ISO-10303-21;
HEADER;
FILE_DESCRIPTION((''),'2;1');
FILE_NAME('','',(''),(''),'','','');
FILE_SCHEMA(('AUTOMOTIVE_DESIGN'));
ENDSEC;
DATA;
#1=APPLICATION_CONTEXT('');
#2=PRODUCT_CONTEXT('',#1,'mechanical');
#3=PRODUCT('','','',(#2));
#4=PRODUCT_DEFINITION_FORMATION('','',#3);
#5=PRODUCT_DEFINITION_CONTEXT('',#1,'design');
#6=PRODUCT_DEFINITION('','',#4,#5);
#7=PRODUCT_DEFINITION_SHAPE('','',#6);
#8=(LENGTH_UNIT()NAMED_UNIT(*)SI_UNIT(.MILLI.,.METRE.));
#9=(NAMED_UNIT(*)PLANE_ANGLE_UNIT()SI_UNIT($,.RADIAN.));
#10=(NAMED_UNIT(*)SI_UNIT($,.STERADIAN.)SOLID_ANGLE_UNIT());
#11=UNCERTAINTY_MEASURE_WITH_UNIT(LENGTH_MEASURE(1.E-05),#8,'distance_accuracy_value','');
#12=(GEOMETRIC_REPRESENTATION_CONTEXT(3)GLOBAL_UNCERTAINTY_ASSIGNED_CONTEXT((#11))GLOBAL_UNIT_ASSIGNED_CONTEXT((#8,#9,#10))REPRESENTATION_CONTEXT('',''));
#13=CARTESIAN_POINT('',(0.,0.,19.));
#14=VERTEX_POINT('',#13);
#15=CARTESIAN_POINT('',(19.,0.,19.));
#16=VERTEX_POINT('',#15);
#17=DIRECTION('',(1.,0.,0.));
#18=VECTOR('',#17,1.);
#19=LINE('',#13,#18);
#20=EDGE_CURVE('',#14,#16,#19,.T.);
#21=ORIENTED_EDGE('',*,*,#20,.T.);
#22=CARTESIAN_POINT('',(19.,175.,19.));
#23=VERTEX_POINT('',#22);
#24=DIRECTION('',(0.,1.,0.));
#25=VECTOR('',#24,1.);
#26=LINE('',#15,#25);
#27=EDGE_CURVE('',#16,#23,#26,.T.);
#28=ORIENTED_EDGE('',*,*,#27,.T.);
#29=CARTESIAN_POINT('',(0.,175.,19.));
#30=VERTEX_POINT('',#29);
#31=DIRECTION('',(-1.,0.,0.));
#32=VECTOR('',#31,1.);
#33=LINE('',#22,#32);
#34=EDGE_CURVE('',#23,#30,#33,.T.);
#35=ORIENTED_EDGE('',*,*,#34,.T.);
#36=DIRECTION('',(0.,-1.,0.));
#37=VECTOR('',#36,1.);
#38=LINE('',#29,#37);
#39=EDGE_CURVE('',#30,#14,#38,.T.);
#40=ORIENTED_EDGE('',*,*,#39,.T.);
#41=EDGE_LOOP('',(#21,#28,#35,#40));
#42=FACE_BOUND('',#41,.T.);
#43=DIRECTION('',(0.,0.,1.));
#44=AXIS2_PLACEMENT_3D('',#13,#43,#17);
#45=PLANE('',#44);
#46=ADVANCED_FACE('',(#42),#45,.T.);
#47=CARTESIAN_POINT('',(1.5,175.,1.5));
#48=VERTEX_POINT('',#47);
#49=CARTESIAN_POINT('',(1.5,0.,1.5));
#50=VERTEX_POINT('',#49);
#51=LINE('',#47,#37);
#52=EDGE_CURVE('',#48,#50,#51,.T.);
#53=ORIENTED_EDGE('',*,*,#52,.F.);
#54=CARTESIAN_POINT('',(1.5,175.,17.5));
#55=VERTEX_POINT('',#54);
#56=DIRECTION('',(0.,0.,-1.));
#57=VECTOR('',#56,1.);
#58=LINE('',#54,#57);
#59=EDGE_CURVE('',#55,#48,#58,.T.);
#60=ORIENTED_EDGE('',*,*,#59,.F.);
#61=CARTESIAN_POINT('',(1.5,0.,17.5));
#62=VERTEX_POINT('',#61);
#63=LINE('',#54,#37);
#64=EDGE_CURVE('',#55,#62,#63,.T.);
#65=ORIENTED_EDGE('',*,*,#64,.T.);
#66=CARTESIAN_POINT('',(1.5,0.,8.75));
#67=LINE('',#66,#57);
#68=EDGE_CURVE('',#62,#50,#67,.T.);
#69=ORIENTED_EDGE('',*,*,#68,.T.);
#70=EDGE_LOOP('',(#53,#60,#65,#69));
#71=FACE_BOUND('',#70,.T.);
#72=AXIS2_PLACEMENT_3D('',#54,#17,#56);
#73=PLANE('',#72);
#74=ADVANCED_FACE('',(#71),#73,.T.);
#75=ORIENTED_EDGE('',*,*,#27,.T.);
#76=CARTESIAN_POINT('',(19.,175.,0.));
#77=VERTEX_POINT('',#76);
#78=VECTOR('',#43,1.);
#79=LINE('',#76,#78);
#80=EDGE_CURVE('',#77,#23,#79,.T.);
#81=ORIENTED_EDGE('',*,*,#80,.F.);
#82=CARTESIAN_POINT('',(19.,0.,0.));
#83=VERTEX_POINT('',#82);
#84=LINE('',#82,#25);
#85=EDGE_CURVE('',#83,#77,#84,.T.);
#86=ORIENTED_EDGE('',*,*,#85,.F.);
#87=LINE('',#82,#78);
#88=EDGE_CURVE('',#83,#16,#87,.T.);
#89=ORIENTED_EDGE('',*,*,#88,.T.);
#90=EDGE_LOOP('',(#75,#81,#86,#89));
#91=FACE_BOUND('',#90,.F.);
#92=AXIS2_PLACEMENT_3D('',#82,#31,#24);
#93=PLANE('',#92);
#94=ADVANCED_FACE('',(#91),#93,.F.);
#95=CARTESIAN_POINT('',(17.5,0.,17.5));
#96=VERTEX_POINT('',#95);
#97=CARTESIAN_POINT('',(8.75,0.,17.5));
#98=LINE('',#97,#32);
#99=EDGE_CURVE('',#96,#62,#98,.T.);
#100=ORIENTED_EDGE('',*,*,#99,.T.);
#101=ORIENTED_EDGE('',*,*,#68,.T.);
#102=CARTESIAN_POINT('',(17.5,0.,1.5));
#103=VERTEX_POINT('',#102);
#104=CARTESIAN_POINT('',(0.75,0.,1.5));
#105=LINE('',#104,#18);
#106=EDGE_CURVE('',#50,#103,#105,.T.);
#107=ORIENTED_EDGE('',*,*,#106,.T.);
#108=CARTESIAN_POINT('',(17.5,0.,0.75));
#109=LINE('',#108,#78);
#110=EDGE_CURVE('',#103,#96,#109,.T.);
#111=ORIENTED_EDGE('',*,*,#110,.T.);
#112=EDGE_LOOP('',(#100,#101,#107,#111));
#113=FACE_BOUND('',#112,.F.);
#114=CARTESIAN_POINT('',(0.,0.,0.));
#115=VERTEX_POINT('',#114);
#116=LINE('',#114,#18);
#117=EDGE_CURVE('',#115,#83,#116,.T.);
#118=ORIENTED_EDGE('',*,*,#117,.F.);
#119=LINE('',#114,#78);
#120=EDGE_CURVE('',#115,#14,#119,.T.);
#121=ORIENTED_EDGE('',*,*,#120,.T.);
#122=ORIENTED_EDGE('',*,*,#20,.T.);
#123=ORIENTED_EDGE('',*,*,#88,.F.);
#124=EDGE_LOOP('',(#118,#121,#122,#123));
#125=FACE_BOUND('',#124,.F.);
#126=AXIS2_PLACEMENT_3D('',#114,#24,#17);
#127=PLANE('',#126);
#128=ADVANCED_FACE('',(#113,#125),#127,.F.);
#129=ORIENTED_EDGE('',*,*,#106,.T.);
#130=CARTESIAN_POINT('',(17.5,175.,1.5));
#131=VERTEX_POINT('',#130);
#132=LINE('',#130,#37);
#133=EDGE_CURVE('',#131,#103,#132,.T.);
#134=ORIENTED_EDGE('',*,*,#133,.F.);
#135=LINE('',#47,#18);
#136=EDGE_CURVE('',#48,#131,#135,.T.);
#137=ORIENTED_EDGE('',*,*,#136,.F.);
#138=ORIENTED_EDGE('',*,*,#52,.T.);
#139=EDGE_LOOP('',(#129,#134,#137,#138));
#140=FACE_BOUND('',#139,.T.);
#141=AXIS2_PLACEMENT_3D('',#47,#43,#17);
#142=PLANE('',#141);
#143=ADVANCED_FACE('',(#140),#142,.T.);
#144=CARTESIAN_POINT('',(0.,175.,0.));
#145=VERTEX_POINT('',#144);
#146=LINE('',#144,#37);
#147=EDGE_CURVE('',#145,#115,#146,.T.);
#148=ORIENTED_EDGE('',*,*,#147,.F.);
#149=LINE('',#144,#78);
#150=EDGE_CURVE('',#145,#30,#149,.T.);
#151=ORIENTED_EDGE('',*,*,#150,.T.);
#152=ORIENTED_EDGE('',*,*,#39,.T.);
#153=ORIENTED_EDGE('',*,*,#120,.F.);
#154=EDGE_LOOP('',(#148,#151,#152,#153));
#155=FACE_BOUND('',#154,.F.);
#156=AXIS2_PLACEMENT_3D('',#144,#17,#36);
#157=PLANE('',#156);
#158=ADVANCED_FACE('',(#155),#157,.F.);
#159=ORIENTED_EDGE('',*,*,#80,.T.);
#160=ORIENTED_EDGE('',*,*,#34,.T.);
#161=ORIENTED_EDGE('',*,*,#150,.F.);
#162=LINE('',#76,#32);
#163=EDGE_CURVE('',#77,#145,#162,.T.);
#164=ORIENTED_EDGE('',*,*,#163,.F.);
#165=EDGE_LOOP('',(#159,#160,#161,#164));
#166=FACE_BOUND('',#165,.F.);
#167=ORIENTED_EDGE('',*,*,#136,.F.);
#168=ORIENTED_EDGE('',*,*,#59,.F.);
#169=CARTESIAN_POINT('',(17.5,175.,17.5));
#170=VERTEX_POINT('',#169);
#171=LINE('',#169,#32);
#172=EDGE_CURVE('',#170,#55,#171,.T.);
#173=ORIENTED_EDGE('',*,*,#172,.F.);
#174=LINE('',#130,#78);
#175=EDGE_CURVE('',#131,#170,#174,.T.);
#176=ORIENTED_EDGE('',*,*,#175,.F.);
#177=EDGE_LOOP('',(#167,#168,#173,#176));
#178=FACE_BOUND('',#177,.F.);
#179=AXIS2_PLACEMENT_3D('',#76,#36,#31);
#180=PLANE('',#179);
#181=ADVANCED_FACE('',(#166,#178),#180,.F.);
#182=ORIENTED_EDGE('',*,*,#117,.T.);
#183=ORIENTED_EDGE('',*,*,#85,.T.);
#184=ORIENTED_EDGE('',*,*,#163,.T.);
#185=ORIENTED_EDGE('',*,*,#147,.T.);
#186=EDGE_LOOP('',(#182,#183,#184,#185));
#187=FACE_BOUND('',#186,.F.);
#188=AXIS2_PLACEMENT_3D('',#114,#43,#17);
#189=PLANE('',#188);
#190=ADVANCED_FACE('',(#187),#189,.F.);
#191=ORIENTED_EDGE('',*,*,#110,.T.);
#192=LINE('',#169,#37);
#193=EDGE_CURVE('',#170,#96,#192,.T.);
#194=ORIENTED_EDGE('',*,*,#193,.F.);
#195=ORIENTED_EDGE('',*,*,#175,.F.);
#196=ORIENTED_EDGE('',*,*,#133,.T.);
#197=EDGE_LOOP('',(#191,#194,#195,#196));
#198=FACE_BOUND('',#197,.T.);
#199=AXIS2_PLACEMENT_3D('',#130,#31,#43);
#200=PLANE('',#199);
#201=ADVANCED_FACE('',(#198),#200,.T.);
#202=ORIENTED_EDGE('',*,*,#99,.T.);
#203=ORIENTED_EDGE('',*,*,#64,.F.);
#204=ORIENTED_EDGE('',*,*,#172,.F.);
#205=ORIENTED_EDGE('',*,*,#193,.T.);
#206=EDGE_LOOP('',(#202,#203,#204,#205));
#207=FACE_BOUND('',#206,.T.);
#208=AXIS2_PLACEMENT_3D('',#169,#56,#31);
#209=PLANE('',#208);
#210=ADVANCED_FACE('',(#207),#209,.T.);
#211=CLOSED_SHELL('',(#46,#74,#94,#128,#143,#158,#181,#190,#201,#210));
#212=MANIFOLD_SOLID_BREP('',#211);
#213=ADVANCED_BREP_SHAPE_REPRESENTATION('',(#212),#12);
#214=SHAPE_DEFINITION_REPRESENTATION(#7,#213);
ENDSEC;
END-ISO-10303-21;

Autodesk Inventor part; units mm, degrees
ref_plane "YZ Plane" through (0, 0, 0) normal (1, 0, 0) x (0, 1, 0)
ref_plane "XZ Plane" through (0, 0, 0) normal (0, 1, 0) x (-1, 0, 0)
ref_plane "XY Plane" through (0, 0, 0) normal (0, 0, 1) x (1, 0, 0)
sketch "Sketch1" plane through (0, 0, 0) normal (0, 0, 1) x (1, 0, 0)
  line L0 (0, 0) -> (19, 0)
  line L1 (19, 0) -> (19, 175)
  line L2 (19, 175) -> (0, 175)
  line L3 (0, 175) -> (0, 0)
  dimension "d0" = 19
  dimension "d1" = 175
extrude "Extrusion1" add sketch "Sketch1" along normal blind 19
sketch "Sketch3" plane through (0, 175, 0) normal (0, 1, 0) x (1, 0, 0)
  line L0 (19, 0) -> (0, 0) projected
  line L1 (0, 0) -> (0, -19) projected
  line L2 (19, -19) -> (0, -19) projected
  line L3 (19, 0) -> (19, -19) projected
  line L4 (1.5, -17.5) -> (1.5, -1.5)
  line L5 (1.5, -1.5) -> (17.5, -1.5)
  line L6 (17.5, -1.5) -> (17.5, -17.5)
  line L7 (17.5, -17.5) -> (1.5, -17.5)
  point P0 (0, 0)
  dimension "d4" = 1.5
extrude "Extrusion2" cut sketch "Sketch3" against normal through all contours L4 L5 L6 L7
properties part number "C006" material "Aluminum 6061"
